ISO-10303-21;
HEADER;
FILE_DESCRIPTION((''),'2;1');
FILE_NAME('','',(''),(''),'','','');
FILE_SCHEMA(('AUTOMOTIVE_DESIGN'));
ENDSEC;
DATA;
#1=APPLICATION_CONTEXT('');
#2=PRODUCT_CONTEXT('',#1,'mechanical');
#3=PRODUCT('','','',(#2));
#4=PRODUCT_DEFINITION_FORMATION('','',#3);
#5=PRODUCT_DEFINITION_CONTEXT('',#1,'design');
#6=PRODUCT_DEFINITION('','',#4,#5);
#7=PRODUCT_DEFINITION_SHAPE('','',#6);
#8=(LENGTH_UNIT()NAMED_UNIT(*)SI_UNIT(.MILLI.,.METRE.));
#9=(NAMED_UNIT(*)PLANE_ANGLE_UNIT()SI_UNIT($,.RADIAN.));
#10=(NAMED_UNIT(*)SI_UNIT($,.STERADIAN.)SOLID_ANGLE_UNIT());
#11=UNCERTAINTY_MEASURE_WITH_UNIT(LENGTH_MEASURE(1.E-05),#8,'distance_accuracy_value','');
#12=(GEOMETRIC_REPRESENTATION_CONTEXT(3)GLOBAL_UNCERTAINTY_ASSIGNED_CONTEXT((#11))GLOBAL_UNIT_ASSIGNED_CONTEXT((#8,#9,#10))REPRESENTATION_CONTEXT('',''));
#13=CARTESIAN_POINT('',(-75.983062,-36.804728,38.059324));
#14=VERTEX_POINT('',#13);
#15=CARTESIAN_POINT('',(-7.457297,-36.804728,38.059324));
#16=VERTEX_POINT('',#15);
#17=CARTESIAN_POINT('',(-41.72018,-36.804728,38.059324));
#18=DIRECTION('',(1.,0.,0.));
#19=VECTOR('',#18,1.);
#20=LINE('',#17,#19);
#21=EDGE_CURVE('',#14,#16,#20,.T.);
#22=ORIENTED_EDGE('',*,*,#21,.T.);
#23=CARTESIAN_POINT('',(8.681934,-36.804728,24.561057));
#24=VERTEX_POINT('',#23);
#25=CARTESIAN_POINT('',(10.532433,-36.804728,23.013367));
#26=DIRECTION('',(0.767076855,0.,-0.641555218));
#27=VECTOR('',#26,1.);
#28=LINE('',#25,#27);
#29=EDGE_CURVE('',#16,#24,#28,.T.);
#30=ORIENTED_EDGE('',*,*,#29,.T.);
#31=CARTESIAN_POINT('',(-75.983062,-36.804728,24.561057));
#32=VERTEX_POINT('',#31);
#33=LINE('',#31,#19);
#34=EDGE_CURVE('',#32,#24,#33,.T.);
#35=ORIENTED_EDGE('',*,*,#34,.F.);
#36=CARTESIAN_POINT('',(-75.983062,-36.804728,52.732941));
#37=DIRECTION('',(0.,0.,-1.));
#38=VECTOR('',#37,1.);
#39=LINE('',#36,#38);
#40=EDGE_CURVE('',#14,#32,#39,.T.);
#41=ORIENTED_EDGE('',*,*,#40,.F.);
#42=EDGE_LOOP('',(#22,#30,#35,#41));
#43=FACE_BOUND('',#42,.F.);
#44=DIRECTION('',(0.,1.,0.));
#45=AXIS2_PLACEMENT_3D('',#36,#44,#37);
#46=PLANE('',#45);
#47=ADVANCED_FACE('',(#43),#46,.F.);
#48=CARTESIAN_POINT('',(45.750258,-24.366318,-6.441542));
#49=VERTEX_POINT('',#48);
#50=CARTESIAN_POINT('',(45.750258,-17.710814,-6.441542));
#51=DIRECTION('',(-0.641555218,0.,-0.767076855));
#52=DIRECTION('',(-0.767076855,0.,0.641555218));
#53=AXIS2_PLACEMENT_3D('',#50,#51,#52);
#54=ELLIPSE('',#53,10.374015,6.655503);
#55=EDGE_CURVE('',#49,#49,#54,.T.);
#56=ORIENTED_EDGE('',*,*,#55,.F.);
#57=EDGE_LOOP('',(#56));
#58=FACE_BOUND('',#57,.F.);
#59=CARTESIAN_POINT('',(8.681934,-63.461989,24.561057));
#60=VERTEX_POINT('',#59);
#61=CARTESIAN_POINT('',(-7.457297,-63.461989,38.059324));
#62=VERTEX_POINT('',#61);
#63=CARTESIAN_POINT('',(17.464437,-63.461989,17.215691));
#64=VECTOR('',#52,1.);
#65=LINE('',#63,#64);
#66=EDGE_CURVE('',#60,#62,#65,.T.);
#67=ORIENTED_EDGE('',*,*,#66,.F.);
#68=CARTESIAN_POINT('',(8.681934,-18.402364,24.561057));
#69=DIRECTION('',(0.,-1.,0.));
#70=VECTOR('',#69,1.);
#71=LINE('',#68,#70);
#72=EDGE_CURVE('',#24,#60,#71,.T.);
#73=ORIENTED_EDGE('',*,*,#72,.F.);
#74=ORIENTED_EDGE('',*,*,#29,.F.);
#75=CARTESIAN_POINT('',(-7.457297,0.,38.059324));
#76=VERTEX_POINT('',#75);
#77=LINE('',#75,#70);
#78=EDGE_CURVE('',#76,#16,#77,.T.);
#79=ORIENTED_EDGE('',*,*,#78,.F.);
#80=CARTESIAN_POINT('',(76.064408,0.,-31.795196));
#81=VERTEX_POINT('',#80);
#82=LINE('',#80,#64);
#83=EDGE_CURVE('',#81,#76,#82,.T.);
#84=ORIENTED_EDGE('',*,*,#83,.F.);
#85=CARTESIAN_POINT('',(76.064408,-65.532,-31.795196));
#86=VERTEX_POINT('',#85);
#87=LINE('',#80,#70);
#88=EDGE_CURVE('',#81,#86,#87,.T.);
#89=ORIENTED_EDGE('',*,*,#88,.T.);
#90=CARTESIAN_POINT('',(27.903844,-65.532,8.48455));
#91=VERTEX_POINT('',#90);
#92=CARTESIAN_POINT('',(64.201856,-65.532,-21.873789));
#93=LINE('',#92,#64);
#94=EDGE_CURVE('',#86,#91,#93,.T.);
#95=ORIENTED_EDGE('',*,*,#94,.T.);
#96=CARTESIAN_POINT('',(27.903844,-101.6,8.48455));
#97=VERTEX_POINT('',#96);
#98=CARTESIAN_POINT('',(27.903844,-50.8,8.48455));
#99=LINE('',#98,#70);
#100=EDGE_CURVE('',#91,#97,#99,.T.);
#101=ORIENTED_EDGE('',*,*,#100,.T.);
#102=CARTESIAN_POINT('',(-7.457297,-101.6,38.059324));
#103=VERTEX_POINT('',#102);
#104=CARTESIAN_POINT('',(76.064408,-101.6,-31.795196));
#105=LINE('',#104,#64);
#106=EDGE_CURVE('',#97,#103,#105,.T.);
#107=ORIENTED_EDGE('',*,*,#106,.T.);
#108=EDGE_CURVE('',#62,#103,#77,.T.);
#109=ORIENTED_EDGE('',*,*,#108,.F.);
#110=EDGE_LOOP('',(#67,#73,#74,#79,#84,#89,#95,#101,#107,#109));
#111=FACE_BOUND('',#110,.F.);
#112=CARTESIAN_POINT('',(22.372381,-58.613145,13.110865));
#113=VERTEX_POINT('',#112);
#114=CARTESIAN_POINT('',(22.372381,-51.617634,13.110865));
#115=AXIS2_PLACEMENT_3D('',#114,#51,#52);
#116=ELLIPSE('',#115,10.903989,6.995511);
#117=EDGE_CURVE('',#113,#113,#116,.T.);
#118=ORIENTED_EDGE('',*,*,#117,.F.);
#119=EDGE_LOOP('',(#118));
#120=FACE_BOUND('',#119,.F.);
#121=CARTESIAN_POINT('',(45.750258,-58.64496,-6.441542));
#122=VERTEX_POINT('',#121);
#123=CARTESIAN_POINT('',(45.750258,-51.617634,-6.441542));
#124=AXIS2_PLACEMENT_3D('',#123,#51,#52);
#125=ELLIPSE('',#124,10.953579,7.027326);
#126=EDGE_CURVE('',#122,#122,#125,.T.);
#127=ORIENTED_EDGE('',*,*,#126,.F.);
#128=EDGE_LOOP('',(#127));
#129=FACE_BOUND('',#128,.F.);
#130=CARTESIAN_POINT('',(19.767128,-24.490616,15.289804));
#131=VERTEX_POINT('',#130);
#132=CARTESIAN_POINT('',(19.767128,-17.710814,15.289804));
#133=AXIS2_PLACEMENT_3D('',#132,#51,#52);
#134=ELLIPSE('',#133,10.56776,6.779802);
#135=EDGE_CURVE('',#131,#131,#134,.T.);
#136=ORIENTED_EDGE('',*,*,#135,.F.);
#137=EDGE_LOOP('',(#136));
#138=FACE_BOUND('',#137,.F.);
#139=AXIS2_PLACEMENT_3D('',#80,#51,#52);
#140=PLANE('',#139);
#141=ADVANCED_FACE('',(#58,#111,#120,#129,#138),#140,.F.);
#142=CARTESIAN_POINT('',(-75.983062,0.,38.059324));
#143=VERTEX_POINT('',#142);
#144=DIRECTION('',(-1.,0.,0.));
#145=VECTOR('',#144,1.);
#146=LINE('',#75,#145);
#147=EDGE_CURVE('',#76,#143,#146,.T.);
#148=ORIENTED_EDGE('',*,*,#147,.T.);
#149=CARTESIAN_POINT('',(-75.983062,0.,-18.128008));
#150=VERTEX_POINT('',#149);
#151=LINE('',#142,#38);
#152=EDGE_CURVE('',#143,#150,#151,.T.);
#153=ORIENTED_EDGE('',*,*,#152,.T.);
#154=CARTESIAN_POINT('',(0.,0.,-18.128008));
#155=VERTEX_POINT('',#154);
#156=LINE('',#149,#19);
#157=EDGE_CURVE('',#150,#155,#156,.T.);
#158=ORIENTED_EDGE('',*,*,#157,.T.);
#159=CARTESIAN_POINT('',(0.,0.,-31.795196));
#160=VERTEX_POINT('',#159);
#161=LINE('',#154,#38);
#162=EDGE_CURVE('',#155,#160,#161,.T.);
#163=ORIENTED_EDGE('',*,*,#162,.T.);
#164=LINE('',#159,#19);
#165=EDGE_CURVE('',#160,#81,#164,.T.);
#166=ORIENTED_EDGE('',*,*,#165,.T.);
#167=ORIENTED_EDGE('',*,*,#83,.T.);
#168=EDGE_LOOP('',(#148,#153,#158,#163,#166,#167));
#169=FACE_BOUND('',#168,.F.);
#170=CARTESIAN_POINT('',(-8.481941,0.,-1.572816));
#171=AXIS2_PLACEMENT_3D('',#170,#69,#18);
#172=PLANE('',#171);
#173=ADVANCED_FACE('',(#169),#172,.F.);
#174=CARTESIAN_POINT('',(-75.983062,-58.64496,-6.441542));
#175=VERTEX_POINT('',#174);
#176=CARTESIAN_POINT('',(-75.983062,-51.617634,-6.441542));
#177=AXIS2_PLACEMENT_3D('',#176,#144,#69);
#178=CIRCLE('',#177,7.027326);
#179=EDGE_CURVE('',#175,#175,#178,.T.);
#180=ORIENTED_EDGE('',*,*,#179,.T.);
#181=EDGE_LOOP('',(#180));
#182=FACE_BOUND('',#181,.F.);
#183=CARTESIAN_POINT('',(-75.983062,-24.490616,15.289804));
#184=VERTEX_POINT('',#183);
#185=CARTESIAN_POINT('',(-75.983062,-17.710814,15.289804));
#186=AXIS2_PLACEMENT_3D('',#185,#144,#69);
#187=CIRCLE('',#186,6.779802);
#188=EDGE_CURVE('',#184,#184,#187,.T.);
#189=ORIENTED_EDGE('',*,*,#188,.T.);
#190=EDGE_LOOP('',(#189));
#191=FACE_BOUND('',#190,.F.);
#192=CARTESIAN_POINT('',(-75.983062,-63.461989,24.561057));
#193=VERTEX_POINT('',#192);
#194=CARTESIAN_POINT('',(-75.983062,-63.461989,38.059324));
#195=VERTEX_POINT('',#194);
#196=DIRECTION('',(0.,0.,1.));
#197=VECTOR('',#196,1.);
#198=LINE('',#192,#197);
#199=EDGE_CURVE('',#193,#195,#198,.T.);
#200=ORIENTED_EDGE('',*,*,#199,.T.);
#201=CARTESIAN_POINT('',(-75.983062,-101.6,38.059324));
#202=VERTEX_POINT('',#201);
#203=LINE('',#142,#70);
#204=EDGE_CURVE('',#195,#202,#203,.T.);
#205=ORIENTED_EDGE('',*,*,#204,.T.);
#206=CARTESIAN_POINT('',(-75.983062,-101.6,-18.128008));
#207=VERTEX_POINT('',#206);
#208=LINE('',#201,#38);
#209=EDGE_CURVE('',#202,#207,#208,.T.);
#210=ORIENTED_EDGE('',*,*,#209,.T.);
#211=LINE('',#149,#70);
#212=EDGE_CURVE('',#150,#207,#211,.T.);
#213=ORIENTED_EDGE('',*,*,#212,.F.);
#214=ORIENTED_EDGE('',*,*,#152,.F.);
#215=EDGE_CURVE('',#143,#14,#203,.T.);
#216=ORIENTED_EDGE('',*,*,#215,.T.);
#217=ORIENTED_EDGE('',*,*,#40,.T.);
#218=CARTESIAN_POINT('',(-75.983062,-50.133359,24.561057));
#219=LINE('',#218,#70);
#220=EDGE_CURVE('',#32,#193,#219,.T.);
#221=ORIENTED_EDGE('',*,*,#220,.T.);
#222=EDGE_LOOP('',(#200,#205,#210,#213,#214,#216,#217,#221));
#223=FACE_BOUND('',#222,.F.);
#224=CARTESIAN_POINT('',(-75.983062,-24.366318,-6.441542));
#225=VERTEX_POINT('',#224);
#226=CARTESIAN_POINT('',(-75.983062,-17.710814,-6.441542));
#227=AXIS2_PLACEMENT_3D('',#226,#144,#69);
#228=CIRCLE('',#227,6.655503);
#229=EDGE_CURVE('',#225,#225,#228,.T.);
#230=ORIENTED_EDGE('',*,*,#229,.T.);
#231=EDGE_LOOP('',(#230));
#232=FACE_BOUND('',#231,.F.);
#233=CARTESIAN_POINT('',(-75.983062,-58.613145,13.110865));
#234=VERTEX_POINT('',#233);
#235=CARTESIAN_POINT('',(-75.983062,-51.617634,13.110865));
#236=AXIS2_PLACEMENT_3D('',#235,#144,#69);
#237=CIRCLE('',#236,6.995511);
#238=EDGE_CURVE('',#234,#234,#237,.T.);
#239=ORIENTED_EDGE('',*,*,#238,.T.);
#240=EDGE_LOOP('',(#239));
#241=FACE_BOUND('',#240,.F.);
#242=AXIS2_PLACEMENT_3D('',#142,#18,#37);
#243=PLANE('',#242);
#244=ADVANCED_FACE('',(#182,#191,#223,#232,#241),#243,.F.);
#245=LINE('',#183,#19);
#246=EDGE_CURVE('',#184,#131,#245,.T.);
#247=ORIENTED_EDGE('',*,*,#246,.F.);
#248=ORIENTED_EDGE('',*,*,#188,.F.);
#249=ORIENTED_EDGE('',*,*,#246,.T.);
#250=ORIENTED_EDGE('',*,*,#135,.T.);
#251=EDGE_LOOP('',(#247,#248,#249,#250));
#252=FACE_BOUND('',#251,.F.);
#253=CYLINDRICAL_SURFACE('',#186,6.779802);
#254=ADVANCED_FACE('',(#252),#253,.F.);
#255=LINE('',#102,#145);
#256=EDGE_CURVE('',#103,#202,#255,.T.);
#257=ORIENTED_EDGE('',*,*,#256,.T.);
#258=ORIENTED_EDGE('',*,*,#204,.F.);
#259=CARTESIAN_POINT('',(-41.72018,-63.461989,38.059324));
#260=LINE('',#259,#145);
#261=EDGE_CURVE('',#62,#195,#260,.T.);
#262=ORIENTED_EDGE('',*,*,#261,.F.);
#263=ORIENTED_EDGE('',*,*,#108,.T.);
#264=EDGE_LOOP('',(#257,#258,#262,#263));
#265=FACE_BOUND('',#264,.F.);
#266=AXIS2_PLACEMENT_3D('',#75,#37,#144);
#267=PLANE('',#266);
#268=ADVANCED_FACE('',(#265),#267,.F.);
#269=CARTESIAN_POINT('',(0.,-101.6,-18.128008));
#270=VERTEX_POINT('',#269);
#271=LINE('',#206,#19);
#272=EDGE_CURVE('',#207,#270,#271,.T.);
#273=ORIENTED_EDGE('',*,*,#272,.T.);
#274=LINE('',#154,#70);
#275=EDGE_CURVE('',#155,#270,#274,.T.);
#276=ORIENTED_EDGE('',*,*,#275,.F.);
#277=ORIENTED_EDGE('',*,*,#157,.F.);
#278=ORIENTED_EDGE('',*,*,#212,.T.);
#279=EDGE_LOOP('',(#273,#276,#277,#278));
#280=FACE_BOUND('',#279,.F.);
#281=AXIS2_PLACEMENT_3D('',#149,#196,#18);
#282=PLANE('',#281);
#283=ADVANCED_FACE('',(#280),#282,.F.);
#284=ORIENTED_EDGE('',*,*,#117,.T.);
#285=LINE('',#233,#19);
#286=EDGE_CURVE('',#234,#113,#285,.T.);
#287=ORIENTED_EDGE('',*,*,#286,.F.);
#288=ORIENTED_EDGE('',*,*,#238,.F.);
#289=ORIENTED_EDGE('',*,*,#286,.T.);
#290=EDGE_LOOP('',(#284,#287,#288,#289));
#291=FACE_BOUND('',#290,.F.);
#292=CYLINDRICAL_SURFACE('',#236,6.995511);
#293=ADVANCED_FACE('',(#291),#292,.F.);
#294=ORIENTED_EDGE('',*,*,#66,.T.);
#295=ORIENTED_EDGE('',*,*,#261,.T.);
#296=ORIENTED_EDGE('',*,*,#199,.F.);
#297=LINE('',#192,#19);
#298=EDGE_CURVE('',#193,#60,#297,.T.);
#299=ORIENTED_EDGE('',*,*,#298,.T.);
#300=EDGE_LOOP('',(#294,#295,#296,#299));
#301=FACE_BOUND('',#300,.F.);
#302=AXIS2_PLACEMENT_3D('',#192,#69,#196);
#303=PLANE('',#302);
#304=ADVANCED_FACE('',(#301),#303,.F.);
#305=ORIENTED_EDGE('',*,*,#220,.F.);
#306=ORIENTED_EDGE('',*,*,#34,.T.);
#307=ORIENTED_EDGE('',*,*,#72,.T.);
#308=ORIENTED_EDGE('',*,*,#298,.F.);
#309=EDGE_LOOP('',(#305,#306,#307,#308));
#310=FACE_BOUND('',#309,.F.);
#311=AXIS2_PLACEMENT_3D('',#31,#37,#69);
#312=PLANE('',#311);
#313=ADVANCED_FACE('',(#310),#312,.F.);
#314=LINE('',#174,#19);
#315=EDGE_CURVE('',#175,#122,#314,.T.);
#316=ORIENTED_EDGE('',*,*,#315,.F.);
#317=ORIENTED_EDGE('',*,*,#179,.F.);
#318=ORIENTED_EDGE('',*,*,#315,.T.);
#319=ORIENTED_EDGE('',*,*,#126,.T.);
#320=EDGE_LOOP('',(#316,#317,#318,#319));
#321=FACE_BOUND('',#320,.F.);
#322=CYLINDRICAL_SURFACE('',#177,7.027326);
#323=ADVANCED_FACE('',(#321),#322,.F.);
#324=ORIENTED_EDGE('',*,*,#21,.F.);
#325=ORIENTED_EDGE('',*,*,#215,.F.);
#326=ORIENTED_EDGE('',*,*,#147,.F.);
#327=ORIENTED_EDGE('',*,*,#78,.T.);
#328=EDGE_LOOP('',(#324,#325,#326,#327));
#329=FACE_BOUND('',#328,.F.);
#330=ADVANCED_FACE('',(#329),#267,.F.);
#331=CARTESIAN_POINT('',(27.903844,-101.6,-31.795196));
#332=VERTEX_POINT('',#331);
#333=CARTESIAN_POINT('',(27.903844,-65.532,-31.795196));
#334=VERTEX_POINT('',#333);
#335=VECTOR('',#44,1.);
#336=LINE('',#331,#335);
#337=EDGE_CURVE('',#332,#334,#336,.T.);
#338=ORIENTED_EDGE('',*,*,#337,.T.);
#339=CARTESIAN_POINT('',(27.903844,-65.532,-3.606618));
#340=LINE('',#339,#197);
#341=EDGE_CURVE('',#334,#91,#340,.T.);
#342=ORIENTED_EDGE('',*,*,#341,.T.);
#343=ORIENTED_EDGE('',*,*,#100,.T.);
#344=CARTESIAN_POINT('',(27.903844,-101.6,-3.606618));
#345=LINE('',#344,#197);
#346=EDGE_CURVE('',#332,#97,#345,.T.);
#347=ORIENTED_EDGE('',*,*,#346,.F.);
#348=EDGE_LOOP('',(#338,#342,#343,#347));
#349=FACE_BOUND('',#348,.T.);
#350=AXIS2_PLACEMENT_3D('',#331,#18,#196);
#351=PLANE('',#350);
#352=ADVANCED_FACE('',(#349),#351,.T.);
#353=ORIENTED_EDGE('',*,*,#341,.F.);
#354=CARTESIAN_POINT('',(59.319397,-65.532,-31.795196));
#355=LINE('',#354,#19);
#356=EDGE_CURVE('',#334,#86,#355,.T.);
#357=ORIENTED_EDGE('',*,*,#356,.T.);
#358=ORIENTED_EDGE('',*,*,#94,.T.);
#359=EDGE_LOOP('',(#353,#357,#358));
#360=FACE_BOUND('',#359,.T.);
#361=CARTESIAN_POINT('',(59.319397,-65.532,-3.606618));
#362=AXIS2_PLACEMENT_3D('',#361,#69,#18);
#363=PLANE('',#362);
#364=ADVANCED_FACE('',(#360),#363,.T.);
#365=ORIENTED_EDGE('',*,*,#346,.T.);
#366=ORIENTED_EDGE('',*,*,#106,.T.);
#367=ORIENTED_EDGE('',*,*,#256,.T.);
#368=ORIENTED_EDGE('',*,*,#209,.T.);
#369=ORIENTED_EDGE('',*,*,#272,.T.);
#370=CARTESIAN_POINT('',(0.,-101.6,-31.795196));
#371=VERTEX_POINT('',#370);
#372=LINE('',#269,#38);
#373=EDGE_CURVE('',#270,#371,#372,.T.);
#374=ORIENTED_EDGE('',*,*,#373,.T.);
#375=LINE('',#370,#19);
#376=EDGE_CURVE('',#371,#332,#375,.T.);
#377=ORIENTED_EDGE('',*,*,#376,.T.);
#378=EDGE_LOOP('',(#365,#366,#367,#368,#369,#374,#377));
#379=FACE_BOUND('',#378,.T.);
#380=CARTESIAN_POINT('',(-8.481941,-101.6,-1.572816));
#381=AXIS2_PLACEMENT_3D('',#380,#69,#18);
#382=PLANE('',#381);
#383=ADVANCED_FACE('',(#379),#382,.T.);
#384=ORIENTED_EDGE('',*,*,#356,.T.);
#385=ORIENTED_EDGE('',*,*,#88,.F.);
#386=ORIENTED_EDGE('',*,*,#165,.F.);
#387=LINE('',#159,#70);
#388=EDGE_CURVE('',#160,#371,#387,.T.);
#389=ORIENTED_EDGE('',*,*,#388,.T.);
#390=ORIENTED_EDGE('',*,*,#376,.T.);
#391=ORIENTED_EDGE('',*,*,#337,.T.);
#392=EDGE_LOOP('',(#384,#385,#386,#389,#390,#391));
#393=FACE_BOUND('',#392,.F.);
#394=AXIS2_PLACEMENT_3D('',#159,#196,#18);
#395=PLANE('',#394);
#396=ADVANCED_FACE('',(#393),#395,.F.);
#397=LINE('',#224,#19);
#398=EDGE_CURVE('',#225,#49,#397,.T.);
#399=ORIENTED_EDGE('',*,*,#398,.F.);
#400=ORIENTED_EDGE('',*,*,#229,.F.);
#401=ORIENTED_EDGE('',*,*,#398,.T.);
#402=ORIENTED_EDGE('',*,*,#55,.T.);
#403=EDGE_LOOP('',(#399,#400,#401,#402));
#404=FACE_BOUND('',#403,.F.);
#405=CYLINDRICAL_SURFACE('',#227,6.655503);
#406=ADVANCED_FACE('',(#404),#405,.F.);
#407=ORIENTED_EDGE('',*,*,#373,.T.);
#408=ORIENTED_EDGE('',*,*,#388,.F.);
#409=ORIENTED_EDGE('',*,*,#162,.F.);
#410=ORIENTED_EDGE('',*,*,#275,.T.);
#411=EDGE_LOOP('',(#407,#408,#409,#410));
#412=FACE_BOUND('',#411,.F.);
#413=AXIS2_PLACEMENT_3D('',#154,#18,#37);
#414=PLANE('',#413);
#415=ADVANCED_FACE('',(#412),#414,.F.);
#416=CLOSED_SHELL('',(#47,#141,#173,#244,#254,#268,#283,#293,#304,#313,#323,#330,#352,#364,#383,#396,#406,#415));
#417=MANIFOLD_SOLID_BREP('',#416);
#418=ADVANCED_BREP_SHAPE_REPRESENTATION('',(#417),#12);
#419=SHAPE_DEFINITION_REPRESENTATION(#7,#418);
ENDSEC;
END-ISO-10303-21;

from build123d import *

# Parameters (mm, degrees)
F1_DEPTH = 101.6
F2_W     = 62.831107527
F2_H     = 56.3771557063
F3_DEPTH = 36.068
F4_W     = 26.6572609544
F4_H     = 13.4982671589
F4_H_2   = 14.6736167371
F5_DEPTH = 108.712
F6_R     = 7.0273260197
F6_R_2   = 6.9955111579
F6_R_3   = 6.6555032816
F6_R_4   = 6.7798018692
F7_DEPTH = 174.752


with BuildPart() as f1:
    # F0 (on Front) → F1 (new body)
    with BuildSketch(Plane.XZ):
        Polygon((-7.4572972953, 38.0593240261), (-75.9830623865, 38.0593240261), (-75.9830623865, -18.1280076504), (0, -18.1280076504), (0, -31.7951962352), (76.0644078255, -31.7951962352), align=None)
    extrude(amount=F1_DEPTH)

    # F2 (on face) → F3 (cut)
    with BuildSketch(Plane.XZ.offset(101.6)):
        with Locations((59.3193974346, -3.606618382)):
            Rectangle(F2_W, F2_H)
    extrude(amount=-F3_DEPTH, mode=Mode.SUBTRACT)

    # F4 (on face) → F5 (cut)
    with BuildSketch(Plane(origin=(-75.9830623865, 0, 0), x_dir=(0, -1, 0), z_dir=(-1, 0, 0))):
        with Locations((50.1333586872, 31.3101904467)):
            Rectangle(F4_W, F4_H)
        with Locations((50.1333586872, 45.3961323947)):
            Rectangle(F4_W, F4_H_2)
    extrude(amount=-F5_DEPTH, mode=Mode.SUBTRACT)

    # F6 (on face) → F7 (cut)
    with BuildSketch(Plane(origin=(-75.9830623865, 0, 0), x_dir=(0, -1, 0), z_dir=(-1, 0, 0))):
        with Locations((51.6176335514, -6.4415424131)):
            Circle(F6_R)
        with Locations((51.6176335514, 13.1108649075)):
            Circle(F6_R_2)
        with Locations((17.7108142525, -6.4415424131)):
            Circle(F6_R_3)
        with Locations((17.7108142525, 15.2898039669)):
            Circle(F6_R_4)
    extrude(amount=-F7_DEPTH, mode=Mode.SUBTRACT)


solid = f1.part
